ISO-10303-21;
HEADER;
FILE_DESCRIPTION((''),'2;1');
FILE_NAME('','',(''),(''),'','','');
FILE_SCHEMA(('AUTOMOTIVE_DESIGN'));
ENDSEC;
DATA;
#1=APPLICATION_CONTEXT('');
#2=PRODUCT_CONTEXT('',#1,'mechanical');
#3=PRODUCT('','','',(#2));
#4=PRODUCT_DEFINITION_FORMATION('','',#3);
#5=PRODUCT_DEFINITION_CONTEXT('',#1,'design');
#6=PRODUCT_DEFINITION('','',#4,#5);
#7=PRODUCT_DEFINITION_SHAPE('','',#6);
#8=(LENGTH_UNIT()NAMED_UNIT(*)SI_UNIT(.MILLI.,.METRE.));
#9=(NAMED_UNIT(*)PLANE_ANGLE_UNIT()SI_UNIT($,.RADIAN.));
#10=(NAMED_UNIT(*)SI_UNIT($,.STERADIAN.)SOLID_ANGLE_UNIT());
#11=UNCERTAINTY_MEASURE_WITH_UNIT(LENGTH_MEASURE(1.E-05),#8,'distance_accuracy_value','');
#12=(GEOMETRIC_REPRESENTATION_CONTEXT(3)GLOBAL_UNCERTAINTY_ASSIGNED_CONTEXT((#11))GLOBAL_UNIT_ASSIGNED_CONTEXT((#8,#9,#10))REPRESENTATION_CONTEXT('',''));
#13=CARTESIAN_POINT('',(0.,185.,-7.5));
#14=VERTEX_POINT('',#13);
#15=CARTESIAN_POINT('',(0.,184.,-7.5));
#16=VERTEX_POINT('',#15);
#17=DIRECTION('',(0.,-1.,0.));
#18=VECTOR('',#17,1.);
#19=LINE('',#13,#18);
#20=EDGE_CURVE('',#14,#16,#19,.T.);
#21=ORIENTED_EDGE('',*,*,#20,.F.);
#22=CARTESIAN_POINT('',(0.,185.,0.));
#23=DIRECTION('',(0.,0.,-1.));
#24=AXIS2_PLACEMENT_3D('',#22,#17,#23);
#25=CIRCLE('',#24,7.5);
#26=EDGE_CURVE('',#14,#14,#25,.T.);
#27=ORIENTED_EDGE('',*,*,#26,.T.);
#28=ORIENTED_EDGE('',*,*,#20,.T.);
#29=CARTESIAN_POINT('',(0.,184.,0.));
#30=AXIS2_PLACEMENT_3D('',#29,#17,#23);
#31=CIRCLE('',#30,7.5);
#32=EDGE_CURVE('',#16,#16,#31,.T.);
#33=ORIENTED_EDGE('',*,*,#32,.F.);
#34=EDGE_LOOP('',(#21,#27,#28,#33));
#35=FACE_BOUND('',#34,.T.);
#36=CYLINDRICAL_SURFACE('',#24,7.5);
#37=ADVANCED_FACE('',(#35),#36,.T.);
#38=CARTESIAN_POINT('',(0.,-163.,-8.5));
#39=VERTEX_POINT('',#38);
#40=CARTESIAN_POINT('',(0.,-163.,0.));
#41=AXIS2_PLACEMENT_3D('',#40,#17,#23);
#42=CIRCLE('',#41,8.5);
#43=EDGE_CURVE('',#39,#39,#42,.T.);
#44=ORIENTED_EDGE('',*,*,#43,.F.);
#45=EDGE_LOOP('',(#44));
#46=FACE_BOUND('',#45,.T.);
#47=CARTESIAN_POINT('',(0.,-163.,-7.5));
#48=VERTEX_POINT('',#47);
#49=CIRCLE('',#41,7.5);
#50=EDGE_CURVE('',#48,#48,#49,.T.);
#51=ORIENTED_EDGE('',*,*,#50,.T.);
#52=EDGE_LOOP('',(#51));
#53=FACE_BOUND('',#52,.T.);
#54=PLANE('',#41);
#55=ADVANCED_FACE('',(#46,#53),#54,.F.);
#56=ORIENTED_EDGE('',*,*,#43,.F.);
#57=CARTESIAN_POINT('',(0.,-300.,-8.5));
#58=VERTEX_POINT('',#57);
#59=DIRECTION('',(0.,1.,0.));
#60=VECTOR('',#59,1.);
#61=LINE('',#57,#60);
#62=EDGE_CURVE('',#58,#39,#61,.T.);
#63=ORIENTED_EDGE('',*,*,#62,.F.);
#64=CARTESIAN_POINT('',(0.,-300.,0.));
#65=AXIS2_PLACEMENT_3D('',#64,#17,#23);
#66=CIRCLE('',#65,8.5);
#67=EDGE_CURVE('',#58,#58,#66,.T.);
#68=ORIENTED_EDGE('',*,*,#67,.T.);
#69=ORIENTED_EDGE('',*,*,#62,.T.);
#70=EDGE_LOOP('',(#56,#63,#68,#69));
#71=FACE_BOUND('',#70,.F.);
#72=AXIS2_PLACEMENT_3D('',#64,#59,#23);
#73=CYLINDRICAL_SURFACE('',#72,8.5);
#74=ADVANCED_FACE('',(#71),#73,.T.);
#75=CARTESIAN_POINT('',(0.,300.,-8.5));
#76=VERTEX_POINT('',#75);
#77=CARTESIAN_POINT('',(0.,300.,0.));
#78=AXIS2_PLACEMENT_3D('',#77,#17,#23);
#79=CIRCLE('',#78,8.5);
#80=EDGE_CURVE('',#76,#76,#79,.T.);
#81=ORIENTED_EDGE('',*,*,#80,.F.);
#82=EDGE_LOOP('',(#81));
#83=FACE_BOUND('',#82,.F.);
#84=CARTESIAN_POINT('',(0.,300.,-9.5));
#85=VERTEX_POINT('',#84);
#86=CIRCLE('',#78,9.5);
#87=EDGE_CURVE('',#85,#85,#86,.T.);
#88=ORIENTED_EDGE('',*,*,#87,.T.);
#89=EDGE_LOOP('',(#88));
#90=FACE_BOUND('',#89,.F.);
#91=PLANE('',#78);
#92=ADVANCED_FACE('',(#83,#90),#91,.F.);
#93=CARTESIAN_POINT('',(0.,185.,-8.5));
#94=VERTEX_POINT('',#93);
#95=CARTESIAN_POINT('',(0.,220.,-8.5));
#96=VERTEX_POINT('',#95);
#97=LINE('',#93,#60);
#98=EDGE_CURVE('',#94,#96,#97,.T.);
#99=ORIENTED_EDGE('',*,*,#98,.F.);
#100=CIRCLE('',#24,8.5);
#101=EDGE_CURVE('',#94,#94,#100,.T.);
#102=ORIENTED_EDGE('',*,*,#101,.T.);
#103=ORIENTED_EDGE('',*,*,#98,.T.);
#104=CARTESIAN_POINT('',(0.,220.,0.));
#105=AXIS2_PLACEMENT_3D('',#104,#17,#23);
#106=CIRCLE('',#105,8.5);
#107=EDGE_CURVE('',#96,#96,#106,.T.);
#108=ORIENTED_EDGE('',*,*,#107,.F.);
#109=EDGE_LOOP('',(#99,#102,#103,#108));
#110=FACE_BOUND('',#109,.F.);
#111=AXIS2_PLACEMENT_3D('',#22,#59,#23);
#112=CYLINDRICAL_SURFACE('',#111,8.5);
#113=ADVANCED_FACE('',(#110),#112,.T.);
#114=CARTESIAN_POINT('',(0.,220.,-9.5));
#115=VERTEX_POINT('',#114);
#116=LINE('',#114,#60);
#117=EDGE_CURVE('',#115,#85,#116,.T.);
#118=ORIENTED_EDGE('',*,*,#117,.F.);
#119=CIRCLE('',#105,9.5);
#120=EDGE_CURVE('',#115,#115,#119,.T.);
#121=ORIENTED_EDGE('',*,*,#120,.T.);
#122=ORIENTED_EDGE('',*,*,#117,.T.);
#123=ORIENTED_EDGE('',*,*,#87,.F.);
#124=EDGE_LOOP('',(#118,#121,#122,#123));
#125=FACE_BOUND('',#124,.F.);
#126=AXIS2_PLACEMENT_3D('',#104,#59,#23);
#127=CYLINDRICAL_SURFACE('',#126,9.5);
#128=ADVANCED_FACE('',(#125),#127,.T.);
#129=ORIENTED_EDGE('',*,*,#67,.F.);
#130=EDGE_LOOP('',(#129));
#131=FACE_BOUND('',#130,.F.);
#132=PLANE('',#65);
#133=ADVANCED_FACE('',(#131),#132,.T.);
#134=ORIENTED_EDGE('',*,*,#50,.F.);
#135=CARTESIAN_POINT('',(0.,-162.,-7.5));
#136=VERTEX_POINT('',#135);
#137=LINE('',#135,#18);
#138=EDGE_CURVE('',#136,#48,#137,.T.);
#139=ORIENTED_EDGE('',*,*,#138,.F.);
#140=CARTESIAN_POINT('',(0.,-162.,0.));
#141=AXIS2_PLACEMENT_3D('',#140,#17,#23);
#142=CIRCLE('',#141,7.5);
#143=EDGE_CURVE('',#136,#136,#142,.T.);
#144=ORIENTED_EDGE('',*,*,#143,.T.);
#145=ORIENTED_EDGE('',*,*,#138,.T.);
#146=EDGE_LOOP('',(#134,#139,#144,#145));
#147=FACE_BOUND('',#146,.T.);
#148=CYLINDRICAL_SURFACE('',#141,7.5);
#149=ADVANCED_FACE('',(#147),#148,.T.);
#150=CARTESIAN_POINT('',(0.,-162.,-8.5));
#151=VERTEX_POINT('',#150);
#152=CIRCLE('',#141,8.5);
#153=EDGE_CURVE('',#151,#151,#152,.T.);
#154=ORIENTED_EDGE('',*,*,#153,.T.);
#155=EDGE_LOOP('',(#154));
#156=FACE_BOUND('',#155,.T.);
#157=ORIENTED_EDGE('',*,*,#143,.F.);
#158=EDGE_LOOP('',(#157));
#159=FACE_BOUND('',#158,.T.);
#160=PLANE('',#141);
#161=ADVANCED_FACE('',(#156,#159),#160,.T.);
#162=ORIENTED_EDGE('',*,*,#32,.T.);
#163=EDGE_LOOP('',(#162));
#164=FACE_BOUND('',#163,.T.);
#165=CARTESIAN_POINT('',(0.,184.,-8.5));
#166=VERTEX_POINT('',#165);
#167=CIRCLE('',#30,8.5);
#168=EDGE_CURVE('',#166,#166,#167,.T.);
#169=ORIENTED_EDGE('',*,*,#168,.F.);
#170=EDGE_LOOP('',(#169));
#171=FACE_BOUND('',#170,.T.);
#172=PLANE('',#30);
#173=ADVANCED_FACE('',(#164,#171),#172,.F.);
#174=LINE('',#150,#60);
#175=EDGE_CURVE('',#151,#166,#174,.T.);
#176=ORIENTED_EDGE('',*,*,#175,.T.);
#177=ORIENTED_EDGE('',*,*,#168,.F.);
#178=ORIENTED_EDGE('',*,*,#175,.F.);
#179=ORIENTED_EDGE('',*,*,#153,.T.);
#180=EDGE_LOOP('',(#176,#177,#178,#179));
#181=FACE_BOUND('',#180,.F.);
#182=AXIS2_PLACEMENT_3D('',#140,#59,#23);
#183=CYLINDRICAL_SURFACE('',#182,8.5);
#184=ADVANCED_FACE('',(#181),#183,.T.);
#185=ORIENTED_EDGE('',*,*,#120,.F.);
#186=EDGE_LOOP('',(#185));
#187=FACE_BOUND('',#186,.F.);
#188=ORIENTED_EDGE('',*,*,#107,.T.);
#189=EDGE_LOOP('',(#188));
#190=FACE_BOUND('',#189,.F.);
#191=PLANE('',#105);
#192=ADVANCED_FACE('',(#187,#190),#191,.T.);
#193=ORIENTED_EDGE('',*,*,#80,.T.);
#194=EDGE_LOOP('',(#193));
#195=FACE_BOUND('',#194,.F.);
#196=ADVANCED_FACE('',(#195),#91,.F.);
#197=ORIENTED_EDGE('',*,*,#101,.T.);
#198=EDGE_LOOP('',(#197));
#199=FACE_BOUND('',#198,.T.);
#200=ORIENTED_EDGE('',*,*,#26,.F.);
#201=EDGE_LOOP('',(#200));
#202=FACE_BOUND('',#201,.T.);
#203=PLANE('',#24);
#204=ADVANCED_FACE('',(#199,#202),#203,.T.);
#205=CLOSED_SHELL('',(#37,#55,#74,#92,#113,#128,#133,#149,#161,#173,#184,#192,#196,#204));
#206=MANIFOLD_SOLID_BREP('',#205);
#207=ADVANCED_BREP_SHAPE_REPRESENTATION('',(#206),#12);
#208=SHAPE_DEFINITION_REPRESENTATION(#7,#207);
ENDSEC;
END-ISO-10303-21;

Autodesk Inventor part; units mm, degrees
ref_plane "YZ Plane" through (0, 0, 0) normal (1, 0, 0) x (0, 1, 0)
ref_plane "XZ Plane" through (0, 0, 0) normal (0, 1, 0) x (-1, 0, 0)
ref_plane "XY Plane" through (0, 0, 0) normal (0, 0, 1) x (1, 0, 0)
sketch "Sketch1" plane through (0, 0, 0) normal (1, 0, 0) x (0, 1, 0)
  line L0 (300, 0) -> (-300, 0)
  line L1 (-300, 0) -> (-300, -8.5)
  line L2 (-300, -8.5) -> (-163, -8.5)
  line L3 (300, -8.5) -> (300, 0)
  line L4 (185, -8.5) -> (185, -7.5)
  line L5 (185, -7.5) -> (184, -7.5)
  line L6 (184, -7.5) -> (184, -8.5)
  line L7 (-162, -7.5) -> (-163, -7.5)
  line L8 (-163, -7.5) -> (-163, -8.5)
  line L9 (-163, -8.5) -> (-162, -8.5) construction
  line L10 (-162, -8.5) -> (-162, -7.5)
  line L11 (220, -8.5) -> (300, -8.5) construction
  line L12 (300, -8.5) -> (220, -8.5) construction
  line L13 (220, -8.5) -> (220, -9.5)
  line L14 (220, -9.5) -> (300, -9.5)
  line L15 (300, -9.5) -> (300, -8.5)
  line L16 (184, -8.5) -> (185, -8.5) construction
  line L17 (185, -8.5) -> (220, -8.5)
  line L18 (-162, -8.5) -> (184, -8.5)
  line L19 (-163, -8.5) -> (-162, -8.5) construction
  point P0 (0, 0)
  point P1 (0, 0)
  point P2 (-163, -8.5)
  point P3 (-162, -8.5)
  dimension "d0" = 600
  dimension "d1" = 8.5
  dimension "d2" = 1
  dimension "d3" = 1
  dimension "d4" = 115
  dimension "d6" = 1
  dimension "d7" = 1
  dimension "d8" = 462
  dimension "d11" = 1
  dimension "d12" = 80
revolve "Revolution1" add sketch "Sketch1" angle 360 about axis through (0, 300, 0) along (0, -1, 0)
equation "\"d6\" = d2"
equation "\"d7\" = d3"
properties part number "Вал"
